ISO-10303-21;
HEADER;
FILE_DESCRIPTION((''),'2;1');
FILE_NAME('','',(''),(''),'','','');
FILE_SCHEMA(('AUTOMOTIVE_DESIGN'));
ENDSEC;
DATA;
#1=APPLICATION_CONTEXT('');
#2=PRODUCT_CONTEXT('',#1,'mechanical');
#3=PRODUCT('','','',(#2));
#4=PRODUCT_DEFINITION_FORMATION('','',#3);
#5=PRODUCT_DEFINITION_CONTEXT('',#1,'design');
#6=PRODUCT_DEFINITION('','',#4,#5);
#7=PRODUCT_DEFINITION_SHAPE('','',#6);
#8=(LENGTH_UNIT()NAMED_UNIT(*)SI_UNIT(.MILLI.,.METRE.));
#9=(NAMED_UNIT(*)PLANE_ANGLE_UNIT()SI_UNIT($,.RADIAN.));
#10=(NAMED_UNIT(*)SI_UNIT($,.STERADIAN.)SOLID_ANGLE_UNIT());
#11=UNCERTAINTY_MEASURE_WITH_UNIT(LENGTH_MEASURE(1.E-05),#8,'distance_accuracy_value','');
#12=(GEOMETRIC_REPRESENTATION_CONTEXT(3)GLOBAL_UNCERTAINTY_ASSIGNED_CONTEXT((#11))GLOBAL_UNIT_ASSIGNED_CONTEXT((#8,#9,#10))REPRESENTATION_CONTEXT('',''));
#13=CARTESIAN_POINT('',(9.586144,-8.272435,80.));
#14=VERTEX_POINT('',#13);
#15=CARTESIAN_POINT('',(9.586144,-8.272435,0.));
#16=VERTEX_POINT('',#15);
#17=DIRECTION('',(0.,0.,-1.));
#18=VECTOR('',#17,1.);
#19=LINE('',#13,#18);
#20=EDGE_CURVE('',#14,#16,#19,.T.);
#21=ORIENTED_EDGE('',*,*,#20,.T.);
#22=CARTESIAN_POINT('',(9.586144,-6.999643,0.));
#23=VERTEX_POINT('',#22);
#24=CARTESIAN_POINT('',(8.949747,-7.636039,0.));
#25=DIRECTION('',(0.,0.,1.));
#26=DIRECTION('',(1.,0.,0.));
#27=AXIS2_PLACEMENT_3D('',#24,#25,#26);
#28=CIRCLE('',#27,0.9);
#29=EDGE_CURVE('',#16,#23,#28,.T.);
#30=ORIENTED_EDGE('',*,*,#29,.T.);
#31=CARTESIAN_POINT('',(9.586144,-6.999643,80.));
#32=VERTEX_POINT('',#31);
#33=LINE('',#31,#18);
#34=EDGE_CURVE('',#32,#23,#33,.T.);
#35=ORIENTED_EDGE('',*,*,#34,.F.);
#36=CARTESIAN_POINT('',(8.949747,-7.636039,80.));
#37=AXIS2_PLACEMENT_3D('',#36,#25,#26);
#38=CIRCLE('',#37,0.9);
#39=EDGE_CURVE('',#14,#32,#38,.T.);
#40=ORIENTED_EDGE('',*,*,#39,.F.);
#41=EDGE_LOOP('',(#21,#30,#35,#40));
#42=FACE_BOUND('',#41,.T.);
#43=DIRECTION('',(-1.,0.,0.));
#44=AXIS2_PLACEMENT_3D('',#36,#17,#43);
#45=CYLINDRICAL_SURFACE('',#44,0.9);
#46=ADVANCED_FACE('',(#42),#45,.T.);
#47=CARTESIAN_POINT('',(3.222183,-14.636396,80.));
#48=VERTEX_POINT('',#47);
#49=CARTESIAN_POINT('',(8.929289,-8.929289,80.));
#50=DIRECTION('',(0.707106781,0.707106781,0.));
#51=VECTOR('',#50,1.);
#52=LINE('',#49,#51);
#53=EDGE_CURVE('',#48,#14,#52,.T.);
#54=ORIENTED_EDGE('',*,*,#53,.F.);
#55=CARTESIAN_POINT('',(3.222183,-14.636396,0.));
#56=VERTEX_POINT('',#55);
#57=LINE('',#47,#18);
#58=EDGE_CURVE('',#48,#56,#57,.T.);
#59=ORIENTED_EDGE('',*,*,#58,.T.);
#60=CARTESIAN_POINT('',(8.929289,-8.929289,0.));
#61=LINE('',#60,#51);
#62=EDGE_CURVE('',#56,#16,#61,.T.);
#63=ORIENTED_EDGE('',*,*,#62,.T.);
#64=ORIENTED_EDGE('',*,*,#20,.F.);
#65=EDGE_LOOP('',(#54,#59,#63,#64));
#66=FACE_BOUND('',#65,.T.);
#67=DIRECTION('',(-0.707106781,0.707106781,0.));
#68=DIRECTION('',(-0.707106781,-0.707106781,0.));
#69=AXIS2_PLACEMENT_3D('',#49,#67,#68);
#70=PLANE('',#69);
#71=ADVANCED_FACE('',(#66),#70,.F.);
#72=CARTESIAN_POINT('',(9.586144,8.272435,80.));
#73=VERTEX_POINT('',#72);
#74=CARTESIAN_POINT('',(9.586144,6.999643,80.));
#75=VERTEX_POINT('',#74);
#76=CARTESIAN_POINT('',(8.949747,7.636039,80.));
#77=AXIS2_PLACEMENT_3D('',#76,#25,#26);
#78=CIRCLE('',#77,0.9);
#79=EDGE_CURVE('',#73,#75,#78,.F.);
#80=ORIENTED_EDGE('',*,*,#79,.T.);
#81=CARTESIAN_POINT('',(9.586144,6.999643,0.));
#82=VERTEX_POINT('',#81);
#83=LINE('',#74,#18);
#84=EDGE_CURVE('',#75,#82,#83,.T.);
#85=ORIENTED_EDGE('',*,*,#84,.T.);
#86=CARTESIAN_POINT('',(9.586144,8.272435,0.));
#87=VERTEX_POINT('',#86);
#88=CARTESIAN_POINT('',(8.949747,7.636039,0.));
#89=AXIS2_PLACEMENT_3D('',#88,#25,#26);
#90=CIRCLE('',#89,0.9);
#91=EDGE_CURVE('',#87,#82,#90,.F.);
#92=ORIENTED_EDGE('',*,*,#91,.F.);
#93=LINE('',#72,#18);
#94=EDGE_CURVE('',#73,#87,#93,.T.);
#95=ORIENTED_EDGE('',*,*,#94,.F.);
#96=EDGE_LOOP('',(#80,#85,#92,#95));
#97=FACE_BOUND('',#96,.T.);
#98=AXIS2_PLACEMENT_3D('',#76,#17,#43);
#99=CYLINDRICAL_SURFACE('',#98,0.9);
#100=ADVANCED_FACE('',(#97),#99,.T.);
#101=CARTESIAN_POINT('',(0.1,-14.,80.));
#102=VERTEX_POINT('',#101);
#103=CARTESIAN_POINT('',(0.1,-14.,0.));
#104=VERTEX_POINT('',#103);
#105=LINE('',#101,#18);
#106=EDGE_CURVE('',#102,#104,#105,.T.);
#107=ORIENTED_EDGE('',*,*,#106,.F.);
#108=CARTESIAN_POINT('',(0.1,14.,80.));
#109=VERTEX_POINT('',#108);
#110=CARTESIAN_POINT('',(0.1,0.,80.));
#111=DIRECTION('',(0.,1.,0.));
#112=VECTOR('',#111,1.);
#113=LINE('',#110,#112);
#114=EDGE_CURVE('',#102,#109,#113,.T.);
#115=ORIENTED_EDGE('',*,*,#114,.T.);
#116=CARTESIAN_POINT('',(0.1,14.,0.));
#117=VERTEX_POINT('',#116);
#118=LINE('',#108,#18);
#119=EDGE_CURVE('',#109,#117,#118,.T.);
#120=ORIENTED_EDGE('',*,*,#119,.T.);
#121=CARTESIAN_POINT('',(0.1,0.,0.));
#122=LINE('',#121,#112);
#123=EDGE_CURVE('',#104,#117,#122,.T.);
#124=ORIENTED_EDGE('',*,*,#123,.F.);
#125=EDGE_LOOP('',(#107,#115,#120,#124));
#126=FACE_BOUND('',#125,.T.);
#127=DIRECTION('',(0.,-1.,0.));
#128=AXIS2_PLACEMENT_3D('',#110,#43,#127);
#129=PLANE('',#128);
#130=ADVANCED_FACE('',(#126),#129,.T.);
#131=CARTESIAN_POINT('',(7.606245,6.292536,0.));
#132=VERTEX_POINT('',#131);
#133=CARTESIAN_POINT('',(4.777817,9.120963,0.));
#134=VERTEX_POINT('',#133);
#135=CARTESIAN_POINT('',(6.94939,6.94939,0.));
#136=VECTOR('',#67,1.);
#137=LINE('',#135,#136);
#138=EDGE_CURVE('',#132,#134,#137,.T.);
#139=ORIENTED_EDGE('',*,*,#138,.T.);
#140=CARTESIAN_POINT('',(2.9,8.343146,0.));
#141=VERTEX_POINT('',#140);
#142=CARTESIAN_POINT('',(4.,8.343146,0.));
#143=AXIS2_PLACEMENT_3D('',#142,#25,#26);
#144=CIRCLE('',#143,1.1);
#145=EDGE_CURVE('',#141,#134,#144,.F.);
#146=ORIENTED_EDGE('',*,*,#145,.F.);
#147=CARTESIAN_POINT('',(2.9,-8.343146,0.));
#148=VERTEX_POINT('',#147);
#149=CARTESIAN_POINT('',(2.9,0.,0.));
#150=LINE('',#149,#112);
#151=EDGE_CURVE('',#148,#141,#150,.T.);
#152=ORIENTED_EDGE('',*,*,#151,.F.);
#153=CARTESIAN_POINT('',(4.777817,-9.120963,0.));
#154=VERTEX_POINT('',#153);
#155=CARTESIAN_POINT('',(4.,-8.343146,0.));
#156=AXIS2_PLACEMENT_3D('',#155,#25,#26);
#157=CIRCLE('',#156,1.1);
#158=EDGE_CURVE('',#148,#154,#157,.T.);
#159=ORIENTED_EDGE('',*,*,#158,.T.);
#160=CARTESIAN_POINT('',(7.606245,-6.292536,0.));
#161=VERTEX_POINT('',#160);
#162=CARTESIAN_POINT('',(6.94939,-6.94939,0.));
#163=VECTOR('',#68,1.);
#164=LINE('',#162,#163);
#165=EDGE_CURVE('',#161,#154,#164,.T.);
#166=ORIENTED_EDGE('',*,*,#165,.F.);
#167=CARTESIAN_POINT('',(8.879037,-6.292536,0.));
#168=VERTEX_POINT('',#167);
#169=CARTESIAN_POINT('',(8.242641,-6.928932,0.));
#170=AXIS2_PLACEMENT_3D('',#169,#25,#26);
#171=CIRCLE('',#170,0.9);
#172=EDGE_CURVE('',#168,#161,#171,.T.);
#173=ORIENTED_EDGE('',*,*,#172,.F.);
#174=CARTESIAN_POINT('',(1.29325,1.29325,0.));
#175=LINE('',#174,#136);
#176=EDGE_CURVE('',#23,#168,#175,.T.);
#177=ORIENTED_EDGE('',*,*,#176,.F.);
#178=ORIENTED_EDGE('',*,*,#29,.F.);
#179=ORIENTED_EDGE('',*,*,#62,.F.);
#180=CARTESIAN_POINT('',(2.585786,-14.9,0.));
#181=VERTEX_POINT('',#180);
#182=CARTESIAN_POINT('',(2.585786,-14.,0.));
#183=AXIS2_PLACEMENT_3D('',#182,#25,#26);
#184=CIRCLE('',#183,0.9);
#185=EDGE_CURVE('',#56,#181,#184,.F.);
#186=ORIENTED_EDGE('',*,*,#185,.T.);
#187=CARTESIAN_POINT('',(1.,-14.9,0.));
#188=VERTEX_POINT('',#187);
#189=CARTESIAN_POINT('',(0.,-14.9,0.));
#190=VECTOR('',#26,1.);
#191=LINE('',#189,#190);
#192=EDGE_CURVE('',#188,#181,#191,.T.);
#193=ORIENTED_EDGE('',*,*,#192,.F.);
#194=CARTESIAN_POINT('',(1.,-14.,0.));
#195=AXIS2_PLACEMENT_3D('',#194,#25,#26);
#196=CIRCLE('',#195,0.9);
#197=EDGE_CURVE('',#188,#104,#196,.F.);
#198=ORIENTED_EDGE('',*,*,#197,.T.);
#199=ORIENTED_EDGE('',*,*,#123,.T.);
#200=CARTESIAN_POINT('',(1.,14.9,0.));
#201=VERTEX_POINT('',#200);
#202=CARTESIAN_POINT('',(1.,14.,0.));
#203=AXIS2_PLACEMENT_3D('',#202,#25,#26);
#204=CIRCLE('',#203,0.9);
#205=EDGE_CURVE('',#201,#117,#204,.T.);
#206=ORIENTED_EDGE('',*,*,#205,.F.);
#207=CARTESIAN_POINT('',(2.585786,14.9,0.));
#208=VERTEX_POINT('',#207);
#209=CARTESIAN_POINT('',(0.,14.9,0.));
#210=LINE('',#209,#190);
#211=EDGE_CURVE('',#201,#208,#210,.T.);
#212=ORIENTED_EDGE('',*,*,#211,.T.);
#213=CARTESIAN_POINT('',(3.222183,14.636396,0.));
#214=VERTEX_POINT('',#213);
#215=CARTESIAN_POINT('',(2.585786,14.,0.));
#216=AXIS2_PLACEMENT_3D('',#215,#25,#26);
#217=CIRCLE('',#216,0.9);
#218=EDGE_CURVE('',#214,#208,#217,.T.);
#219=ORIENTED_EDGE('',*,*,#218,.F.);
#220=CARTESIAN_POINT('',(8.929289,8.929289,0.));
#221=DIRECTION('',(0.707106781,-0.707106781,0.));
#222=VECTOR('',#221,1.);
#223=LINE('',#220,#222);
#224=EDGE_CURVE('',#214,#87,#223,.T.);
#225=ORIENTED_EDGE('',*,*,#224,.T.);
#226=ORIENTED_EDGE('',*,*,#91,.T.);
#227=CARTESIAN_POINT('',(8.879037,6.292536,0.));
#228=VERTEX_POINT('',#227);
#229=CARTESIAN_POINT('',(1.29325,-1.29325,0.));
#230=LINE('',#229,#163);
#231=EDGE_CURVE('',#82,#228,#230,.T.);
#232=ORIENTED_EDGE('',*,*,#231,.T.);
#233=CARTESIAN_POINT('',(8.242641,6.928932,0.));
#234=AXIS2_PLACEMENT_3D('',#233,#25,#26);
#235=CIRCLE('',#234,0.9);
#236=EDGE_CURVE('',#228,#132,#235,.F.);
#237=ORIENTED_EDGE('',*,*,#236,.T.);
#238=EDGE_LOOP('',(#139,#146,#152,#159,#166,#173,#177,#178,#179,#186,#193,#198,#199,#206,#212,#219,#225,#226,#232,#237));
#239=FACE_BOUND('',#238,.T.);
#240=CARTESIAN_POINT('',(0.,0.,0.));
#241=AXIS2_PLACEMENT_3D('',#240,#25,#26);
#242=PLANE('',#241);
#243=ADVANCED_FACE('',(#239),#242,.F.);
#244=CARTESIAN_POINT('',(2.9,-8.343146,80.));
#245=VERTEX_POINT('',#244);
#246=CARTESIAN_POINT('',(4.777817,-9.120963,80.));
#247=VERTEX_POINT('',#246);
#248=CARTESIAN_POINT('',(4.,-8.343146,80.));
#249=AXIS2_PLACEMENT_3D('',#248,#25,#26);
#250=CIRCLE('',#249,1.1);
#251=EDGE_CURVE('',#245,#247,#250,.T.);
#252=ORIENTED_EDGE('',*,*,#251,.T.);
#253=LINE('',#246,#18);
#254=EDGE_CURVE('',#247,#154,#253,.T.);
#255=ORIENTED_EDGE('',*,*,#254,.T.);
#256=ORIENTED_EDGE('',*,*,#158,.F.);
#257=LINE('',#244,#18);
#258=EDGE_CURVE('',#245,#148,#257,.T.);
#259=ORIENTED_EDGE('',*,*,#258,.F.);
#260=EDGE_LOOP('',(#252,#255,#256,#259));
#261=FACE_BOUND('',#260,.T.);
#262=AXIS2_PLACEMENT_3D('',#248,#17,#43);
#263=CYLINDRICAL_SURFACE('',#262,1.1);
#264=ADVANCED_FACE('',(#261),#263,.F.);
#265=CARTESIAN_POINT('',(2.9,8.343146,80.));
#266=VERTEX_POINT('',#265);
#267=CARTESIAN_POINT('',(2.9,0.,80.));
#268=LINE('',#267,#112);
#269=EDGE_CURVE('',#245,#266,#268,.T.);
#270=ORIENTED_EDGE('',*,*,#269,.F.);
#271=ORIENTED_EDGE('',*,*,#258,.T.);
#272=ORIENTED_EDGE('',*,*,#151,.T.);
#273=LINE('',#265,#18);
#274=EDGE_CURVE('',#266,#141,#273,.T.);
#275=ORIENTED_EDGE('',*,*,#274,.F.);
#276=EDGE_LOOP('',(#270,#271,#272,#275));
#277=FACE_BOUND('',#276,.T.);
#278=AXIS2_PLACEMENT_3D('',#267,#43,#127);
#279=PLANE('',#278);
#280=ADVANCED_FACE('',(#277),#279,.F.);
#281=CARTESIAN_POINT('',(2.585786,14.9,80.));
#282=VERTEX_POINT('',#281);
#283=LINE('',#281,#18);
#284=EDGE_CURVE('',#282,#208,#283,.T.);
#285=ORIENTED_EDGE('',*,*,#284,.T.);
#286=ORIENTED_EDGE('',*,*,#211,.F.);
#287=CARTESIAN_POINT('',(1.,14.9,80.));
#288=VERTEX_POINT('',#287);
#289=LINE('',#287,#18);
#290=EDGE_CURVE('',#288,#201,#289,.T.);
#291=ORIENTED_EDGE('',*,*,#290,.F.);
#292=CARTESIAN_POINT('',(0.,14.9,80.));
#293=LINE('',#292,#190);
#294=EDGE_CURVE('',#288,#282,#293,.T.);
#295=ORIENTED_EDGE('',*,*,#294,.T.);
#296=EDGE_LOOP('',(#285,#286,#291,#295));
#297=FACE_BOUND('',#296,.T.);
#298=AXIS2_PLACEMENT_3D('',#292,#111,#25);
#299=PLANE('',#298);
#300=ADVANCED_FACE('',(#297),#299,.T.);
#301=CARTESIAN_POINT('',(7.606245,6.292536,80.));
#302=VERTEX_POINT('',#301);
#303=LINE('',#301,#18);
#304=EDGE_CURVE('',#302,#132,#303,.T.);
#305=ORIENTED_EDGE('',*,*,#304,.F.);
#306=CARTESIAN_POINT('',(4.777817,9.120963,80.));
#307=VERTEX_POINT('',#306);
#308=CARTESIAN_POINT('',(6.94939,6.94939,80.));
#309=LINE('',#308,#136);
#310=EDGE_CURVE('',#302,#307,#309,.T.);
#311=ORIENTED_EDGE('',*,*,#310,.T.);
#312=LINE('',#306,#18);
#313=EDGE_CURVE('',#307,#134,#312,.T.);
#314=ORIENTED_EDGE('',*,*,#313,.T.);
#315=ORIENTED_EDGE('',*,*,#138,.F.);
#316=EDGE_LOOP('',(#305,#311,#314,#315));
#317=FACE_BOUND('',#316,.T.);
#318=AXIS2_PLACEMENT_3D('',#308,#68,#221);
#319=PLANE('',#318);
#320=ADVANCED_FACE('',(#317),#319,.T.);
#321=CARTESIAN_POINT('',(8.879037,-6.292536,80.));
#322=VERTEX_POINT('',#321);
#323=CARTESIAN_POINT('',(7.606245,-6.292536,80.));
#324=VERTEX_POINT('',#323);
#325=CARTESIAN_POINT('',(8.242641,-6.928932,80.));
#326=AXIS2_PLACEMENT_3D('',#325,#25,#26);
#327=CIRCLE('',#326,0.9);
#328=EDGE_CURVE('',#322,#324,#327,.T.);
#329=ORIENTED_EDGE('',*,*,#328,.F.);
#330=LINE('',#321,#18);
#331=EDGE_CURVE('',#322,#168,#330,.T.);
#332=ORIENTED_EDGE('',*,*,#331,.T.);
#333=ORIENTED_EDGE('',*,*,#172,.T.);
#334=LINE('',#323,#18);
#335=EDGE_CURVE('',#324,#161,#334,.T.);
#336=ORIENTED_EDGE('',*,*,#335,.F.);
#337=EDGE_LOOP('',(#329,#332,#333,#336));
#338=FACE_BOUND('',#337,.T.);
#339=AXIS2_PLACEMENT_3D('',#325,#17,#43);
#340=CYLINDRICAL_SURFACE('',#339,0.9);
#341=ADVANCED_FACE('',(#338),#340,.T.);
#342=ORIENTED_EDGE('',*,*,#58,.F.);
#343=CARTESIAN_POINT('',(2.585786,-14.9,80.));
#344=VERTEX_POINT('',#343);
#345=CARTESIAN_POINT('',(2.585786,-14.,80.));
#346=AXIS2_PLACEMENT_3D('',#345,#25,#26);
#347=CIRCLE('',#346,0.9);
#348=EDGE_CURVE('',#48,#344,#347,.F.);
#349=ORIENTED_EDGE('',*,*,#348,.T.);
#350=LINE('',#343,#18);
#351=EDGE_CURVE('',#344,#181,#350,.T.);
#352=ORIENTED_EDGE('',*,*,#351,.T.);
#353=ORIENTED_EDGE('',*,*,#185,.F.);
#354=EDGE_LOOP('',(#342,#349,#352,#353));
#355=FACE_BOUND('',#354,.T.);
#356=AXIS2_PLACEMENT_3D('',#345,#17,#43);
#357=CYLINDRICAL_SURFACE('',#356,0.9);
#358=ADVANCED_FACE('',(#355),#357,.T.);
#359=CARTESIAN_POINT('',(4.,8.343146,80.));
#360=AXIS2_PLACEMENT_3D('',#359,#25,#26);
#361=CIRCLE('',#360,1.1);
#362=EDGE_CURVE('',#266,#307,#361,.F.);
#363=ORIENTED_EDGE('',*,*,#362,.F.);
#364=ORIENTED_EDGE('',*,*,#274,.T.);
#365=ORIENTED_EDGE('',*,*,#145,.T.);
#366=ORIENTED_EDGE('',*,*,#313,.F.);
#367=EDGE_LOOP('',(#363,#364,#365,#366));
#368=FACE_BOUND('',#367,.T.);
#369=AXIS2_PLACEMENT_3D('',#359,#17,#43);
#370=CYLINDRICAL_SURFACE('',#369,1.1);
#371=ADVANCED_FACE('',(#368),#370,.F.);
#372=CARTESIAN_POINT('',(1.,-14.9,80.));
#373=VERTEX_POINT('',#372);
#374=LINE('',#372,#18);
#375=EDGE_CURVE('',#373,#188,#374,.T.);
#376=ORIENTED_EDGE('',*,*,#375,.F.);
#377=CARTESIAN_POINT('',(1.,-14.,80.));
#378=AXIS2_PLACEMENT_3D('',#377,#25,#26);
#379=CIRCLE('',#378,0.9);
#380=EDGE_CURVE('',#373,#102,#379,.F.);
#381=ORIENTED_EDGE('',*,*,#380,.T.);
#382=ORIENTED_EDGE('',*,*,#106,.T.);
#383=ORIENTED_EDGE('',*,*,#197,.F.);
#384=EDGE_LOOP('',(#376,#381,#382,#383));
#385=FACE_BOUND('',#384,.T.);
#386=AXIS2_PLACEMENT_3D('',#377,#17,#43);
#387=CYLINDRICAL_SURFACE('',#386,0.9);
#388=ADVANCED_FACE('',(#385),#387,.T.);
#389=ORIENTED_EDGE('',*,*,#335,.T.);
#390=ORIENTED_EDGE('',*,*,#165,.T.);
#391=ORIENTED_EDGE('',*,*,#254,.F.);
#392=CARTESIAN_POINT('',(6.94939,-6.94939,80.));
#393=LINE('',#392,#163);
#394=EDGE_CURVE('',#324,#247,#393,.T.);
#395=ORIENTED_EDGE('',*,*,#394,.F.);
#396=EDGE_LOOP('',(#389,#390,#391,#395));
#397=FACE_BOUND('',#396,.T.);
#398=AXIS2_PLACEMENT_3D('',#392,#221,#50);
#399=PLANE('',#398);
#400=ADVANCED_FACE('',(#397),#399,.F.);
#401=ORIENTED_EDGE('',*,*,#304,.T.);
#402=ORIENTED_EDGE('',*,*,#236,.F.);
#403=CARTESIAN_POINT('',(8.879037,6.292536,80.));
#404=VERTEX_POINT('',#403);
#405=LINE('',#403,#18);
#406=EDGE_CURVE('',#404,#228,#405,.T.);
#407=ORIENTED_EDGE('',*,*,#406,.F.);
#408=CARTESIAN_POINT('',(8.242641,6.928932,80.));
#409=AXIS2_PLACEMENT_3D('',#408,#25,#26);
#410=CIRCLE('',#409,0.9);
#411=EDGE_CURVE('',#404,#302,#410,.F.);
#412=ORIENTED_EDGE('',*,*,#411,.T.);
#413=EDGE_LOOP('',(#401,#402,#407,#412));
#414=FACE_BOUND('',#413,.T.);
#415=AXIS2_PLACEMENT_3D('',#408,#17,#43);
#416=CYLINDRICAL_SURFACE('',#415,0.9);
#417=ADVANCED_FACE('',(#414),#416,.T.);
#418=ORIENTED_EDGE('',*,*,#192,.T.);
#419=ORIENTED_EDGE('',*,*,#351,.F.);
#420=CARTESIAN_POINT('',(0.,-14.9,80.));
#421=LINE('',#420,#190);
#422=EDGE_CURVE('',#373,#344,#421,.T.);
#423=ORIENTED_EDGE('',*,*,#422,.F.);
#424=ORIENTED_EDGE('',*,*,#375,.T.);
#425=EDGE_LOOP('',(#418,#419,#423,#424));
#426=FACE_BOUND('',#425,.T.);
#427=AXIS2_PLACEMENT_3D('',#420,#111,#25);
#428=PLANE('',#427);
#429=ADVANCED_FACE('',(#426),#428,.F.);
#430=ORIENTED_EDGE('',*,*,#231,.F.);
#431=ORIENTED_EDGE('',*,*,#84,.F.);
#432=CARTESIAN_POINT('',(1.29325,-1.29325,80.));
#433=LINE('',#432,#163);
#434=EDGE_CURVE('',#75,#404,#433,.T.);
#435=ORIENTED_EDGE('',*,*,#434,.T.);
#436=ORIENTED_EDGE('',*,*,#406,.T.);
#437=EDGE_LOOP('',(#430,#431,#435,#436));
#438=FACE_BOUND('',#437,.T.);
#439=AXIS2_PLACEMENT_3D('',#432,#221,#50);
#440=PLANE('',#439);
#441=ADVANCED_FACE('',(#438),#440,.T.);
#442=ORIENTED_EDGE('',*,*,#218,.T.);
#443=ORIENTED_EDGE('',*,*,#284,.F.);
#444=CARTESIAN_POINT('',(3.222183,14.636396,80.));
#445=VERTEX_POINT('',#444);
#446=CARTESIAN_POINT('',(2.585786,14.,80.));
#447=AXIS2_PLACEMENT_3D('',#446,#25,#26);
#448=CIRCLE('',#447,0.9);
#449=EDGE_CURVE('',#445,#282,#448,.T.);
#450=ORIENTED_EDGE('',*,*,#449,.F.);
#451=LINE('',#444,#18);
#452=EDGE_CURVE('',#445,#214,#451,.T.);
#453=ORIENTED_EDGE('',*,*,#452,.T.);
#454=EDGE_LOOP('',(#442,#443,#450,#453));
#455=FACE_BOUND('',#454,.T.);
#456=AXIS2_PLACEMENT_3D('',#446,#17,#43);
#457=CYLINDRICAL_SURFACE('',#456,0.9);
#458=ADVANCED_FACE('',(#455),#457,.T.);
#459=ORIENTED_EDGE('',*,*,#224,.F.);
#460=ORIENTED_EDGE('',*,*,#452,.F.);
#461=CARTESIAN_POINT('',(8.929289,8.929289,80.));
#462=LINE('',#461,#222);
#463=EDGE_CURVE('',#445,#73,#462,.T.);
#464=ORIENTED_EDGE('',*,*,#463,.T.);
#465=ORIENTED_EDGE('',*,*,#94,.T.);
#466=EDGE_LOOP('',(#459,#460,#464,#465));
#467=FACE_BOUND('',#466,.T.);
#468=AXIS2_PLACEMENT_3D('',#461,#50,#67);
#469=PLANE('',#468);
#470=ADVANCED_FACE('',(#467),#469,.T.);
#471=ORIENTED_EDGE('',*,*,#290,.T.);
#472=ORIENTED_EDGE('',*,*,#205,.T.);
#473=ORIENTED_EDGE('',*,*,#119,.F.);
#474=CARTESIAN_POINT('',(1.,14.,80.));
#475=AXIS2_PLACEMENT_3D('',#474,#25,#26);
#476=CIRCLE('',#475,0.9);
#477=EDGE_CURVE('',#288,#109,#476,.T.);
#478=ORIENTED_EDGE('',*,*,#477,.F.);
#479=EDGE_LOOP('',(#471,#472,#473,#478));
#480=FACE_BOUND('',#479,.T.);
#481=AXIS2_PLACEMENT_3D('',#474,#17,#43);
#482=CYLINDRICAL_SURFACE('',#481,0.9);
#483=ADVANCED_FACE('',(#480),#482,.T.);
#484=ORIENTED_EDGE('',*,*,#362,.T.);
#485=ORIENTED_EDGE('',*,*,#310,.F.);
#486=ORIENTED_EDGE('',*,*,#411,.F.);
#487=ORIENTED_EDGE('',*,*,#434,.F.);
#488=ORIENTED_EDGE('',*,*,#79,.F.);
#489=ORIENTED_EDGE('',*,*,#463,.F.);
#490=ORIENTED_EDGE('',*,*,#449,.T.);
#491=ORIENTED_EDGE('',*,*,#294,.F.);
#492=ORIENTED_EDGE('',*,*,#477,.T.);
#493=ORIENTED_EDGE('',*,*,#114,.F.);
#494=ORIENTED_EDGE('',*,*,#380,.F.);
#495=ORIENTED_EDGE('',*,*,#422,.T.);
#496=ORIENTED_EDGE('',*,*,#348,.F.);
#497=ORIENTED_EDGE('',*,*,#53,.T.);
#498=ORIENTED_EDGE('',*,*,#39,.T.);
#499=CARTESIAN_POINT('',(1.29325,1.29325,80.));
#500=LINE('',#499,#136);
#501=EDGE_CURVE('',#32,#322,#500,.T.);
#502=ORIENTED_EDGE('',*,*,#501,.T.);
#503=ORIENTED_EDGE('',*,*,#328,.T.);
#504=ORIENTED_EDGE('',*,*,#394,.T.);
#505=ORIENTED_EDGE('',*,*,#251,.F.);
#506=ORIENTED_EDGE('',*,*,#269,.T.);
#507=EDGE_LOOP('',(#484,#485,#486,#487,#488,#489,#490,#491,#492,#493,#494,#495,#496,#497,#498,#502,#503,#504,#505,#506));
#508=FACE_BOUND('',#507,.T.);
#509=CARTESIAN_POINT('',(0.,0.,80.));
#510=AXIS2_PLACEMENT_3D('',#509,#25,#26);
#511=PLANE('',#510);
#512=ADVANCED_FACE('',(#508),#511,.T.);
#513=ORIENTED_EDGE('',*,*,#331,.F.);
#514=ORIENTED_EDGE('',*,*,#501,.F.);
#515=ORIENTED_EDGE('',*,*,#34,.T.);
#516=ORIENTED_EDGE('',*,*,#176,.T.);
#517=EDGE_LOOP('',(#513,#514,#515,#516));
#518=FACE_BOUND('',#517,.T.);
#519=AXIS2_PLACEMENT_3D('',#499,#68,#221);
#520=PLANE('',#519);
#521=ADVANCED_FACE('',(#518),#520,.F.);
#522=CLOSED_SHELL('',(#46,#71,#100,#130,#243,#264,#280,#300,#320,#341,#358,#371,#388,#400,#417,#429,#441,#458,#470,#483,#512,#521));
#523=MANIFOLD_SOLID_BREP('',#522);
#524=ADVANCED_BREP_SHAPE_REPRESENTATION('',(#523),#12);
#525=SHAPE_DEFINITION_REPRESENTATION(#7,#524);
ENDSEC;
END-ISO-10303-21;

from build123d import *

# Parameters (mm, degrees)
BOSS_EXTRU_1_DEPTH = 80


with BuildPart() as part:
    # Esquisse1 → Boss.-Extru.1 (new body)
    with BuildSketch(Plane.XY):
        with BuildLine():
            Line((2.9, 0), (0.1, 0))
            Line((0.1, 0), (0.1, -14))
            ThreePointArc((0.1, -14), (0.363603897, -14.636396103), (1, -14.9))
            Line((1, -14.9), (2.585786438, -14.9))
            ThreePointArc((2.585786438, -14.9), (2.930201527, -14.831491579), (3.222182541, -14.636396103))
            Line((3.222182541, -14.636396103), (9.586143571, -8.272435072))
            ThreePointArc((9.586143571, -8.272435072), (9.849747468, -7.636038969), (9.586143571, -6.999642866))
            Line((9.586143571, -6.999642866), (8.87903679, -6.292536085))
            ThreePointArc((8.87903679, -6.292536085), (8.242640687, -6.028932188), (7.606244584, -6.292536085))
            Line((7.606244584, -6.292536085), (4.777817459, -9.12096321))
            ThreePointArc((4.777817459, -9.12096321), (3.579048224, -9.359413236), (2.9, -8.343145751))
            Line((2.9, -8.343145751), (2.9, 0))
        make_face()
        with BuildLine():
            Line((0.1, 14), (0.1, 0))
            Line((0.1, 0), (2.9, 0))
            Line((2.9, 0), (2.9, 8.343145751))
            ThreePointArc((2.9, 8.343145751), (3.579048224, 9.359413236), (4.777817459, 9.12096321))
            Line((4.777817459, 9.12096321), (7.606244584, 6.292536085))
            ThreePointArc((7.606244584, 6.292536085), (8.242640687, 6.028932188), (8.87903679, 6.292536085))
            Line((8.87903679, 6.292536085), (9.586143571, 6.999642866))
            ThreePointArc((9.586143571, 6.999642866), (9.849747468, 7.636038969), (9.586143571, 8.272435072))
            Line((9.586143571, 8.272435072), (3.222182541, 14.636396103))
            ThreePointArc((3.222182541, 14.636396103), (2.930201527, 14.831491579), (2.585786438, 14.9))
            Line((2.585786438, 14.9), (1, 14.9))
            ThreePointArc((1, 14.9), (0.363603897, 14.636396103), (0.1, 14))
        make_face()
    extrude(amount=BOSS_EXTRU_1_DEPTH)


solid = part.part
